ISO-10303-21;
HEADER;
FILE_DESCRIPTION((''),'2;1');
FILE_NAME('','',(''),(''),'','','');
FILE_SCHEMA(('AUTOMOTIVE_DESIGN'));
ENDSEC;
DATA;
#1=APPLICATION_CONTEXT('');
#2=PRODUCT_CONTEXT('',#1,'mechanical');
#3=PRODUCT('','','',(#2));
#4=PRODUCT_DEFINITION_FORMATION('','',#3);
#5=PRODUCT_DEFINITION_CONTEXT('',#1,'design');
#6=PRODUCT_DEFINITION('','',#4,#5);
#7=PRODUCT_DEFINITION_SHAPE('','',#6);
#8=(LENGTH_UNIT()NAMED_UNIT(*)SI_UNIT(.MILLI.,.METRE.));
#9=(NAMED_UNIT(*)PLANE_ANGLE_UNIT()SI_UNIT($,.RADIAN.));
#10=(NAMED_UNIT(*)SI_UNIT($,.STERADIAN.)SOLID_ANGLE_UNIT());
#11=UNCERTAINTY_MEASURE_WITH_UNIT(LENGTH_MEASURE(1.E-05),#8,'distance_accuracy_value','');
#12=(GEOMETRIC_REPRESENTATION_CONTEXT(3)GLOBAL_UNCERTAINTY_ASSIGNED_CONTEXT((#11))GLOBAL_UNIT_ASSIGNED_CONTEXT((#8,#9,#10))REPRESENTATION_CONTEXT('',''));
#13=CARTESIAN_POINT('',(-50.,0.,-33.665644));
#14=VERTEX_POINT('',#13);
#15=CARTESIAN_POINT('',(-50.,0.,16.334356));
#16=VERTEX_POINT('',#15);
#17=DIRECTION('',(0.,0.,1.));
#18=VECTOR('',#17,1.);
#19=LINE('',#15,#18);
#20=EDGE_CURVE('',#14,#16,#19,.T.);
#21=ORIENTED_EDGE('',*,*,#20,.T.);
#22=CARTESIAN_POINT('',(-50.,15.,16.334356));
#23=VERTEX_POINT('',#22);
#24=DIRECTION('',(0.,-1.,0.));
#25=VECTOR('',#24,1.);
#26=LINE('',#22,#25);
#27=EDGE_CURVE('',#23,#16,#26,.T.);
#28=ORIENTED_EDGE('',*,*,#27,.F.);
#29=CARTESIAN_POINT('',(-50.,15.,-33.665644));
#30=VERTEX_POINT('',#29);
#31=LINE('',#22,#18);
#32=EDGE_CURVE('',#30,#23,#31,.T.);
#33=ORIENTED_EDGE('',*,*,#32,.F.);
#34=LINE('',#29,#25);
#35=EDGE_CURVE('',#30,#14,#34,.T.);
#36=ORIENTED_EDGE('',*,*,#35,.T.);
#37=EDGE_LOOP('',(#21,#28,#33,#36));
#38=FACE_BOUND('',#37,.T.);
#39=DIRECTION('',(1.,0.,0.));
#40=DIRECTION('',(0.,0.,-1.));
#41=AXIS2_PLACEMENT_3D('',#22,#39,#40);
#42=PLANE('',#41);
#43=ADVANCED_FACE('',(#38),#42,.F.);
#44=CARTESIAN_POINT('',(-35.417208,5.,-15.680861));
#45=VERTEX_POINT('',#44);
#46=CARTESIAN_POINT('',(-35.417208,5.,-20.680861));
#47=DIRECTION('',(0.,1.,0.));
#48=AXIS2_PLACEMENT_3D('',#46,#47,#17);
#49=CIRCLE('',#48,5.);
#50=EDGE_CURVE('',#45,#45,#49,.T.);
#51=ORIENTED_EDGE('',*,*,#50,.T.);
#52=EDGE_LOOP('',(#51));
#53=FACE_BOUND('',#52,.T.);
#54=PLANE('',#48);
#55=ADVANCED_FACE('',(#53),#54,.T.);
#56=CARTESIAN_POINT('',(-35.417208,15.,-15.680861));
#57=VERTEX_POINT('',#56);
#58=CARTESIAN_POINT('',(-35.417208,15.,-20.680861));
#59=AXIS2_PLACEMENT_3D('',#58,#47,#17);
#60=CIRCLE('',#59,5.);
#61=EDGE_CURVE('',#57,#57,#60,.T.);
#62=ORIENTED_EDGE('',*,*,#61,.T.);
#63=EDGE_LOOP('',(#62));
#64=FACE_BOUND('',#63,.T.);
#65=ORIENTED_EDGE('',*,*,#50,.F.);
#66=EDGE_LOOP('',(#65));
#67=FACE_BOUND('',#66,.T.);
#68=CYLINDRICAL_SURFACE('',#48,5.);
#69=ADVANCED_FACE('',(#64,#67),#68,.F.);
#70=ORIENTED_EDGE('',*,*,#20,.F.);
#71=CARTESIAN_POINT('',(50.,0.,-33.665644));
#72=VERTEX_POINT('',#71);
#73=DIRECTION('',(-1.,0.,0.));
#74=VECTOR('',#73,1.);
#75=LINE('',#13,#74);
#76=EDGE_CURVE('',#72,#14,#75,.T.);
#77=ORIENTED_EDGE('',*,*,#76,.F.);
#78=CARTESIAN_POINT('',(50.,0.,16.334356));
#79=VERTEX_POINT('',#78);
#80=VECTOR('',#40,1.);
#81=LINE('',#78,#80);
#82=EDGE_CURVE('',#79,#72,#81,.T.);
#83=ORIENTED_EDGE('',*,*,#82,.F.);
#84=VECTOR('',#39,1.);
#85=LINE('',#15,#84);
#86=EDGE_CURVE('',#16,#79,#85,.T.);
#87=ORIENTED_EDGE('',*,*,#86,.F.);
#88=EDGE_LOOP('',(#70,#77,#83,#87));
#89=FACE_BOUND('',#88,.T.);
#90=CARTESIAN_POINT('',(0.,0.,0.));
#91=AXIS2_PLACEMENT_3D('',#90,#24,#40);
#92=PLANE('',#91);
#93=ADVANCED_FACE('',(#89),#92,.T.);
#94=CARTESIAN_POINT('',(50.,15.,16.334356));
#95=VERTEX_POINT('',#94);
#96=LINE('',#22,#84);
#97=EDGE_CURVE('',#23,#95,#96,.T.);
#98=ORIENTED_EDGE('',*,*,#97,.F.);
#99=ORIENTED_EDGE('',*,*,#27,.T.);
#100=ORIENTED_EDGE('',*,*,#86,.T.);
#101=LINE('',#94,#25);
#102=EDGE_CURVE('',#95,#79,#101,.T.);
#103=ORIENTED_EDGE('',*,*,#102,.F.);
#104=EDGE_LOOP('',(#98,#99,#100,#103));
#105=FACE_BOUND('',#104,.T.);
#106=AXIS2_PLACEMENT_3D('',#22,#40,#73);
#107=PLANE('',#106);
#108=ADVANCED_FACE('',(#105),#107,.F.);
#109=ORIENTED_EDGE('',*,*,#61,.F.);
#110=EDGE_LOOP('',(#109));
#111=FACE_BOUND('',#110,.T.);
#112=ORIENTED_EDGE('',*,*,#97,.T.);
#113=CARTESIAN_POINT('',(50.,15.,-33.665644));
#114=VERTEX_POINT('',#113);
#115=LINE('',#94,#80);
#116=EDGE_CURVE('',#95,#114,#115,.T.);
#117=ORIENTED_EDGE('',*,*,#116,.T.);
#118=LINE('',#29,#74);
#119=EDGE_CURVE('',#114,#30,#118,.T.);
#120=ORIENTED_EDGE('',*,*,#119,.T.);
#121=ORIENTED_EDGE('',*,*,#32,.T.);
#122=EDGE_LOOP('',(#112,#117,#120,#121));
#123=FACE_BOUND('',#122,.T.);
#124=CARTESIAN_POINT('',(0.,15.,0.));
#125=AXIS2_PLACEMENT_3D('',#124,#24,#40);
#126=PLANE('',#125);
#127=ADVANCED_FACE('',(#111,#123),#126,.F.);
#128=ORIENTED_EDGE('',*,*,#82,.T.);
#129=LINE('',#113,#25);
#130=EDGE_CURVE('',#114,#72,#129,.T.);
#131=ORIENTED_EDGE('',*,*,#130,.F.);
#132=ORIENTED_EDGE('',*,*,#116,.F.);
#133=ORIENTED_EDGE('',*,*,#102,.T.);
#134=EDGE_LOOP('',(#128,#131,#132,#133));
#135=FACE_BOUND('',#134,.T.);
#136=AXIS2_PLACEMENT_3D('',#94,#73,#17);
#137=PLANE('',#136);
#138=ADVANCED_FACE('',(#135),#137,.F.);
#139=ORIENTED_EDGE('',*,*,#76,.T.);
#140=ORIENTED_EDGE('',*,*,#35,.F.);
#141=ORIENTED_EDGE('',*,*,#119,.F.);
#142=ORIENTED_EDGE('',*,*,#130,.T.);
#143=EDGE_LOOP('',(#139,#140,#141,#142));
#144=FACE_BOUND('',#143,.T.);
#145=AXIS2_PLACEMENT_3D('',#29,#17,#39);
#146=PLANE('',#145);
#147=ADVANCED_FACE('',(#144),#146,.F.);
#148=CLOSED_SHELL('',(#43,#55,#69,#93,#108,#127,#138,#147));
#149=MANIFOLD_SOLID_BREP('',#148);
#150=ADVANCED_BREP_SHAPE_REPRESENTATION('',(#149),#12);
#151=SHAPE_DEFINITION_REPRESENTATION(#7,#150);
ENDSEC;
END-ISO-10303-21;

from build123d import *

# Parameters (mm, degrees)
SKETCH1_W           = 100
SKETCH1_H           = 50
BOSS_EXTRUDE1_DEPTH = 15
SKETCH2_R           = 5
CUT_EXTRUDE1_DEPTH  = 10


with BuildPart() as part:
    # Sketch1 → Boss-Extrude1 (new body)
    with BuildSketch(Plane(origin=(0, 0, 0), x_dir=(1, 0, 0), z_dir=(0, 1, 0))):
        with Locations((0, 8.665644172)):
            Rectangle(SKETCH1_W, SKETCH1_H)
    extrude(amount=BOSS_EXTRUDE1_DEPTH)

    # Sketch2 → Cut-Extrude1 (cut)
    with BuildSketch(Plane(origin=(0, 15, 0), x_dir=(1, 0, 0), z_dir=(0, 1, 0))):
        with Locations(Location((-35.417207638, 20.680861356, 0), (0, 0, 270))):
            Circle(SKETCH2_R)
    extrude(amount=-CUT_EXTRUDE1_DEPTH, mode=Mode.SUBTRACT)


solid = part.part
